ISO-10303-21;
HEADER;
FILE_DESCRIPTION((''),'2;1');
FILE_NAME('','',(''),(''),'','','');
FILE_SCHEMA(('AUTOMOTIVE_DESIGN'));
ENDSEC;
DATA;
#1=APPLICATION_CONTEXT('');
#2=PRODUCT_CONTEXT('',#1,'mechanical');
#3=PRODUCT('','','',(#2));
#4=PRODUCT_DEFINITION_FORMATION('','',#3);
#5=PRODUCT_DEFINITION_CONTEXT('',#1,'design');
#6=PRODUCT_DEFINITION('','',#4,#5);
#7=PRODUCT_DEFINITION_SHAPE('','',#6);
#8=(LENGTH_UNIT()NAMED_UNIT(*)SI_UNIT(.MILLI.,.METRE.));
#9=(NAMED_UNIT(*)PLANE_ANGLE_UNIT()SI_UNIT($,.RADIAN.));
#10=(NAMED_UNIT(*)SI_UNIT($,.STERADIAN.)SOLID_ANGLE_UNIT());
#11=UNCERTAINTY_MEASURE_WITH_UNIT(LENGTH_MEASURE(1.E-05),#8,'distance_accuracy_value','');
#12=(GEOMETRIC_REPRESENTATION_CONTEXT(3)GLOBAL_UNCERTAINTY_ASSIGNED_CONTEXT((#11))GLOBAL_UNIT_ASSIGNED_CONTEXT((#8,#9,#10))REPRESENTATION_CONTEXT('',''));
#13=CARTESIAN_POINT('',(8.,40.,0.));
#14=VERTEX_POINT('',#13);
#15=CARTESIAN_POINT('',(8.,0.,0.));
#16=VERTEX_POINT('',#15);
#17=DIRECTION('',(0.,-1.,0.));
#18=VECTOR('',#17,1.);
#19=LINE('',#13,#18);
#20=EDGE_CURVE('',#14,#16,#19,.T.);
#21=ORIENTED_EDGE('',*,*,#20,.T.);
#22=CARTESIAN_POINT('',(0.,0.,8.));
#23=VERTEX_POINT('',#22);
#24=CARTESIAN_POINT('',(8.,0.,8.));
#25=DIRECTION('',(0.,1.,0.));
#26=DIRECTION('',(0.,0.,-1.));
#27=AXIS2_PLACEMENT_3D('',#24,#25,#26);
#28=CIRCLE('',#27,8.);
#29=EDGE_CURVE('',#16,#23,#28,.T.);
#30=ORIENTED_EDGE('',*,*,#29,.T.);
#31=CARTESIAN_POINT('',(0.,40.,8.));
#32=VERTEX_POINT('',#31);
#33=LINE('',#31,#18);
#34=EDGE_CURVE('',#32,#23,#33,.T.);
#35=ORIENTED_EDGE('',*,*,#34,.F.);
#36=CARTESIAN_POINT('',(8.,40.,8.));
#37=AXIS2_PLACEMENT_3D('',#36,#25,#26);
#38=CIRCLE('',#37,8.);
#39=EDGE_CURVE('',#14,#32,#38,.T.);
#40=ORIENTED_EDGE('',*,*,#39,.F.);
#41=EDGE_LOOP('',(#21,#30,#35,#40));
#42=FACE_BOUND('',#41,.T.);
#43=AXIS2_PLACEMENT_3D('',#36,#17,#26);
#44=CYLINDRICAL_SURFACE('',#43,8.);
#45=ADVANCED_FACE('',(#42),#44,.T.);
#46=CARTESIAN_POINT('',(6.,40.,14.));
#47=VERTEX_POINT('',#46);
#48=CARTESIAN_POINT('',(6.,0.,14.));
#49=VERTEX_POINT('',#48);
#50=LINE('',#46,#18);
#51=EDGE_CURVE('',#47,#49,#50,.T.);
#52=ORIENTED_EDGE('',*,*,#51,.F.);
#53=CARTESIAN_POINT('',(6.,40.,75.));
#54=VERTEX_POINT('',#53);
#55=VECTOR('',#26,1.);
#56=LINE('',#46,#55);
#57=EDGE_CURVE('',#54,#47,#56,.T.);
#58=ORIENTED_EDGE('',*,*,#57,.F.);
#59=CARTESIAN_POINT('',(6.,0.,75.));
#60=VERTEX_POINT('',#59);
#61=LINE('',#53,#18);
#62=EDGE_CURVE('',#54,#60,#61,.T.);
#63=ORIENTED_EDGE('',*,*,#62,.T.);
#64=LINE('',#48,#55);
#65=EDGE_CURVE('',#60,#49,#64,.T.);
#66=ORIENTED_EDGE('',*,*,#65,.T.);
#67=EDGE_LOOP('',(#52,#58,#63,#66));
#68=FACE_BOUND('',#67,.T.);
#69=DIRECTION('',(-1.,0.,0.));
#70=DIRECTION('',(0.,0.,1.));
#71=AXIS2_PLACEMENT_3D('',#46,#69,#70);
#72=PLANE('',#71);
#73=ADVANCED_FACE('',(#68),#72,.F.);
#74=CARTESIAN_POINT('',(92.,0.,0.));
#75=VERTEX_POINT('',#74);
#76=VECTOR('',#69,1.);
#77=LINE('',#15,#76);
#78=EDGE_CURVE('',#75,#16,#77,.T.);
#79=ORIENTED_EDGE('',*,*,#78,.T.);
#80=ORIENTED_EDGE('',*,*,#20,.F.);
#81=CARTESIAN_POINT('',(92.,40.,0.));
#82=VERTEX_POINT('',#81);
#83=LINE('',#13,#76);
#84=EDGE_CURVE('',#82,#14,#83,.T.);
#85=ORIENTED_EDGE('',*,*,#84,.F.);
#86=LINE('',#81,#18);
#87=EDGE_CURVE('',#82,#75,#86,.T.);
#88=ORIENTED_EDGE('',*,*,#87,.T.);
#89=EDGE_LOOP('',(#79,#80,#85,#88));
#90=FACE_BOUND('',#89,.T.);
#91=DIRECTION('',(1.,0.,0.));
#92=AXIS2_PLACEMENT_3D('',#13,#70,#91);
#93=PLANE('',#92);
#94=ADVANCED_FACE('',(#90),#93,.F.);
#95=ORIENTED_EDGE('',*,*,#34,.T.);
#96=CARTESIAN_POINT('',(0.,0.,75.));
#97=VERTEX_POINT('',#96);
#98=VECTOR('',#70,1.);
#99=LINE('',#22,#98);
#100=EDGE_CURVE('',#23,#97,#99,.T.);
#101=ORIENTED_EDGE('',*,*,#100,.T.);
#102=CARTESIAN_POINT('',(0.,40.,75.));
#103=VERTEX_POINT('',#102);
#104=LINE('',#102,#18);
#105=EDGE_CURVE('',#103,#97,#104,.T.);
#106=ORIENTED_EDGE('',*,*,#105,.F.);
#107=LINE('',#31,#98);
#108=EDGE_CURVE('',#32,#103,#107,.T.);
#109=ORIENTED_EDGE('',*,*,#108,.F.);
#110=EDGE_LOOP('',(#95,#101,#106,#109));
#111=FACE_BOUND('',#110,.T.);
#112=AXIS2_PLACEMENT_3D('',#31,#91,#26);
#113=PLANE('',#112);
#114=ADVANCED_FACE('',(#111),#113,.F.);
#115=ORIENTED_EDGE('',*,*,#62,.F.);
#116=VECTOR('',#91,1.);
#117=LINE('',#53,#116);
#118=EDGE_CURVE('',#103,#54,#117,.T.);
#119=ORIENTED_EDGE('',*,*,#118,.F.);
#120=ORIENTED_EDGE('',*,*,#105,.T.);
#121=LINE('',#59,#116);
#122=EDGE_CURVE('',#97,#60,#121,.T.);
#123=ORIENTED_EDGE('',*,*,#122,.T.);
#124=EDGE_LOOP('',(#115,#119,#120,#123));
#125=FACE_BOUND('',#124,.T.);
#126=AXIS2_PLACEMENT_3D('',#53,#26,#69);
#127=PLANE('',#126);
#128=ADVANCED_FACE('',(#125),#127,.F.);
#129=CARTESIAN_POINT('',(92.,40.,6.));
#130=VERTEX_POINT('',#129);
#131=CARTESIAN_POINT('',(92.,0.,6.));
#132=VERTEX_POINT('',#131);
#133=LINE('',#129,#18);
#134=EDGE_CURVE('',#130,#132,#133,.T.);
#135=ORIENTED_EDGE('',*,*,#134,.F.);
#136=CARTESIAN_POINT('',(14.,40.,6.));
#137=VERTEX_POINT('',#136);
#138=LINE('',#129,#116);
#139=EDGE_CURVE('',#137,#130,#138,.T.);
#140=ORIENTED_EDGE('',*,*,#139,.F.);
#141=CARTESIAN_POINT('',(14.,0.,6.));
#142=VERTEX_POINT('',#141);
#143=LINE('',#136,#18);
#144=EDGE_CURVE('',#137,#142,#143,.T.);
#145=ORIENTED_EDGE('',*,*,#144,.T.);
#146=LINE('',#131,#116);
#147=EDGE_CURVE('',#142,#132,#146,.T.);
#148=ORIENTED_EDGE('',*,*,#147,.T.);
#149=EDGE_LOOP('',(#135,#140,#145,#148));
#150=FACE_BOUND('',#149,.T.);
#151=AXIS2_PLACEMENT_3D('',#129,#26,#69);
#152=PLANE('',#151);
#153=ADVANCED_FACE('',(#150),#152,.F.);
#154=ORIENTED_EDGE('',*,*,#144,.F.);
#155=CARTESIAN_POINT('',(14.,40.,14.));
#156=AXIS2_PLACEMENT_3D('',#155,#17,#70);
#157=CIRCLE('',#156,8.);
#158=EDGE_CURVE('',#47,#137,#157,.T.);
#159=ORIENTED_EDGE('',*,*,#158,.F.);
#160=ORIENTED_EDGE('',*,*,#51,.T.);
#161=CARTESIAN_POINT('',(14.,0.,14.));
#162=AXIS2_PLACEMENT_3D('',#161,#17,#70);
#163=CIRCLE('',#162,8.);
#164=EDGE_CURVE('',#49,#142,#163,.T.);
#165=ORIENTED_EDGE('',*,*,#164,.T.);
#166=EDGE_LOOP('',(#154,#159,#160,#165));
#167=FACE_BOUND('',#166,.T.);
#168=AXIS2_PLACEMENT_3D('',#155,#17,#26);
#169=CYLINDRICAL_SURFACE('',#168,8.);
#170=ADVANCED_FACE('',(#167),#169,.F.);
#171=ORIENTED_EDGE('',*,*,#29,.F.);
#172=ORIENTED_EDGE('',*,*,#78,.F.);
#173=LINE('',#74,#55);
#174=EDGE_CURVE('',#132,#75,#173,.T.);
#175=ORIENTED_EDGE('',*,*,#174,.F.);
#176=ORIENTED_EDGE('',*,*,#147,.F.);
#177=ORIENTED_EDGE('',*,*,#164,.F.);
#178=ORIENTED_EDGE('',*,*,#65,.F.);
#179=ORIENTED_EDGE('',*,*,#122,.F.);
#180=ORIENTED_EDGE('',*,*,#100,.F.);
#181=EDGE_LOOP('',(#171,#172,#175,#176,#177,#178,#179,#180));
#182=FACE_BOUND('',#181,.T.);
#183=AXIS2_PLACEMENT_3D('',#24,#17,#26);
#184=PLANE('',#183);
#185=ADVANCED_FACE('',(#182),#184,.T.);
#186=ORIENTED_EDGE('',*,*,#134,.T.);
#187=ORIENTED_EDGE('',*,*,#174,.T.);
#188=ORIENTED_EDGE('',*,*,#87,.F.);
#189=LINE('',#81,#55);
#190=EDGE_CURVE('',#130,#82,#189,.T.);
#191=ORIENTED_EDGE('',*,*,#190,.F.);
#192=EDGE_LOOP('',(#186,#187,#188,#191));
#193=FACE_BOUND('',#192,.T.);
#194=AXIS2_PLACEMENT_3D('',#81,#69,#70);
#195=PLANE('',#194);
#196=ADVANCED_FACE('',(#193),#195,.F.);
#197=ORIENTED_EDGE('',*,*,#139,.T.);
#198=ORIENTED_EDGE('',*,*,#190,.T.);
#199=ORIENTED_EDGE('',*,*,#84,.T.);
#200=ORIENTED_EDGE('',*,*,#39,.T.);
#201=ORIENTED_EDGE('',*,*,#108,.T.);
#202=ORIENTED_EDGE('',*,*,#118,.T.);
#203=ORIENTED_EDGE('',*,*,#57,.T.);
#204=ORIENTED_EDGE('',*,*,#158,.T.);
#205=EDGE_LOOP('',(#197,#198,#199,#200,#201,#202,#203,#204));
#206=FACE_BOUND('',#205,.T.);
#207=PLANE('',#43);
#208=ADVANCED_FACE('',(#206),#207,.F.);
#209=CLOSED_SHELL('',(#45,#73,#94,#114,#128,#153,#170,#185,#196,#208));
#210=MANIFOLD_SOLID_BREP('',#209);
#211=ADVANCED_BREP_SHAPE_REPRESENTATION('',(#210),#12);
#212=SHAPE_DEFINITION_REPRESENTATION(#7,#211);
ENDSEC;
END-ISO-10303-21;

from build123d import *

# Parameters (mm, degrees)
EXTRUDE_1_DEPTH = 40


with BuildPart() as part:
    # 草图1 → 凸台-拉伸1 (new body)
    with BuildSketch(Plane(origin=(0, 0, 0), x_dir=(1, 0, 0), z_dir=(0, 1, 0))):
        with BuildLine():
            Line((0, -8), (0, -75))
            Line((0, -75), (6, -75))
            Line((6, -75), (6, -14))
            ThreePointArc((6, -14), (8.343145751, -8.343145751), (14, -6))
            Line((14, -6), (92, -6))
            Line((92, -6), (92, 0))
            Line((92, 0), (8, 0))
            ThreePointArc((8, 0), (2.343145751, -2.343145751), (0, -8))
        make_face()
    extrude(amount=EXTRUDE_1_DEPTH)


solid = part.part
